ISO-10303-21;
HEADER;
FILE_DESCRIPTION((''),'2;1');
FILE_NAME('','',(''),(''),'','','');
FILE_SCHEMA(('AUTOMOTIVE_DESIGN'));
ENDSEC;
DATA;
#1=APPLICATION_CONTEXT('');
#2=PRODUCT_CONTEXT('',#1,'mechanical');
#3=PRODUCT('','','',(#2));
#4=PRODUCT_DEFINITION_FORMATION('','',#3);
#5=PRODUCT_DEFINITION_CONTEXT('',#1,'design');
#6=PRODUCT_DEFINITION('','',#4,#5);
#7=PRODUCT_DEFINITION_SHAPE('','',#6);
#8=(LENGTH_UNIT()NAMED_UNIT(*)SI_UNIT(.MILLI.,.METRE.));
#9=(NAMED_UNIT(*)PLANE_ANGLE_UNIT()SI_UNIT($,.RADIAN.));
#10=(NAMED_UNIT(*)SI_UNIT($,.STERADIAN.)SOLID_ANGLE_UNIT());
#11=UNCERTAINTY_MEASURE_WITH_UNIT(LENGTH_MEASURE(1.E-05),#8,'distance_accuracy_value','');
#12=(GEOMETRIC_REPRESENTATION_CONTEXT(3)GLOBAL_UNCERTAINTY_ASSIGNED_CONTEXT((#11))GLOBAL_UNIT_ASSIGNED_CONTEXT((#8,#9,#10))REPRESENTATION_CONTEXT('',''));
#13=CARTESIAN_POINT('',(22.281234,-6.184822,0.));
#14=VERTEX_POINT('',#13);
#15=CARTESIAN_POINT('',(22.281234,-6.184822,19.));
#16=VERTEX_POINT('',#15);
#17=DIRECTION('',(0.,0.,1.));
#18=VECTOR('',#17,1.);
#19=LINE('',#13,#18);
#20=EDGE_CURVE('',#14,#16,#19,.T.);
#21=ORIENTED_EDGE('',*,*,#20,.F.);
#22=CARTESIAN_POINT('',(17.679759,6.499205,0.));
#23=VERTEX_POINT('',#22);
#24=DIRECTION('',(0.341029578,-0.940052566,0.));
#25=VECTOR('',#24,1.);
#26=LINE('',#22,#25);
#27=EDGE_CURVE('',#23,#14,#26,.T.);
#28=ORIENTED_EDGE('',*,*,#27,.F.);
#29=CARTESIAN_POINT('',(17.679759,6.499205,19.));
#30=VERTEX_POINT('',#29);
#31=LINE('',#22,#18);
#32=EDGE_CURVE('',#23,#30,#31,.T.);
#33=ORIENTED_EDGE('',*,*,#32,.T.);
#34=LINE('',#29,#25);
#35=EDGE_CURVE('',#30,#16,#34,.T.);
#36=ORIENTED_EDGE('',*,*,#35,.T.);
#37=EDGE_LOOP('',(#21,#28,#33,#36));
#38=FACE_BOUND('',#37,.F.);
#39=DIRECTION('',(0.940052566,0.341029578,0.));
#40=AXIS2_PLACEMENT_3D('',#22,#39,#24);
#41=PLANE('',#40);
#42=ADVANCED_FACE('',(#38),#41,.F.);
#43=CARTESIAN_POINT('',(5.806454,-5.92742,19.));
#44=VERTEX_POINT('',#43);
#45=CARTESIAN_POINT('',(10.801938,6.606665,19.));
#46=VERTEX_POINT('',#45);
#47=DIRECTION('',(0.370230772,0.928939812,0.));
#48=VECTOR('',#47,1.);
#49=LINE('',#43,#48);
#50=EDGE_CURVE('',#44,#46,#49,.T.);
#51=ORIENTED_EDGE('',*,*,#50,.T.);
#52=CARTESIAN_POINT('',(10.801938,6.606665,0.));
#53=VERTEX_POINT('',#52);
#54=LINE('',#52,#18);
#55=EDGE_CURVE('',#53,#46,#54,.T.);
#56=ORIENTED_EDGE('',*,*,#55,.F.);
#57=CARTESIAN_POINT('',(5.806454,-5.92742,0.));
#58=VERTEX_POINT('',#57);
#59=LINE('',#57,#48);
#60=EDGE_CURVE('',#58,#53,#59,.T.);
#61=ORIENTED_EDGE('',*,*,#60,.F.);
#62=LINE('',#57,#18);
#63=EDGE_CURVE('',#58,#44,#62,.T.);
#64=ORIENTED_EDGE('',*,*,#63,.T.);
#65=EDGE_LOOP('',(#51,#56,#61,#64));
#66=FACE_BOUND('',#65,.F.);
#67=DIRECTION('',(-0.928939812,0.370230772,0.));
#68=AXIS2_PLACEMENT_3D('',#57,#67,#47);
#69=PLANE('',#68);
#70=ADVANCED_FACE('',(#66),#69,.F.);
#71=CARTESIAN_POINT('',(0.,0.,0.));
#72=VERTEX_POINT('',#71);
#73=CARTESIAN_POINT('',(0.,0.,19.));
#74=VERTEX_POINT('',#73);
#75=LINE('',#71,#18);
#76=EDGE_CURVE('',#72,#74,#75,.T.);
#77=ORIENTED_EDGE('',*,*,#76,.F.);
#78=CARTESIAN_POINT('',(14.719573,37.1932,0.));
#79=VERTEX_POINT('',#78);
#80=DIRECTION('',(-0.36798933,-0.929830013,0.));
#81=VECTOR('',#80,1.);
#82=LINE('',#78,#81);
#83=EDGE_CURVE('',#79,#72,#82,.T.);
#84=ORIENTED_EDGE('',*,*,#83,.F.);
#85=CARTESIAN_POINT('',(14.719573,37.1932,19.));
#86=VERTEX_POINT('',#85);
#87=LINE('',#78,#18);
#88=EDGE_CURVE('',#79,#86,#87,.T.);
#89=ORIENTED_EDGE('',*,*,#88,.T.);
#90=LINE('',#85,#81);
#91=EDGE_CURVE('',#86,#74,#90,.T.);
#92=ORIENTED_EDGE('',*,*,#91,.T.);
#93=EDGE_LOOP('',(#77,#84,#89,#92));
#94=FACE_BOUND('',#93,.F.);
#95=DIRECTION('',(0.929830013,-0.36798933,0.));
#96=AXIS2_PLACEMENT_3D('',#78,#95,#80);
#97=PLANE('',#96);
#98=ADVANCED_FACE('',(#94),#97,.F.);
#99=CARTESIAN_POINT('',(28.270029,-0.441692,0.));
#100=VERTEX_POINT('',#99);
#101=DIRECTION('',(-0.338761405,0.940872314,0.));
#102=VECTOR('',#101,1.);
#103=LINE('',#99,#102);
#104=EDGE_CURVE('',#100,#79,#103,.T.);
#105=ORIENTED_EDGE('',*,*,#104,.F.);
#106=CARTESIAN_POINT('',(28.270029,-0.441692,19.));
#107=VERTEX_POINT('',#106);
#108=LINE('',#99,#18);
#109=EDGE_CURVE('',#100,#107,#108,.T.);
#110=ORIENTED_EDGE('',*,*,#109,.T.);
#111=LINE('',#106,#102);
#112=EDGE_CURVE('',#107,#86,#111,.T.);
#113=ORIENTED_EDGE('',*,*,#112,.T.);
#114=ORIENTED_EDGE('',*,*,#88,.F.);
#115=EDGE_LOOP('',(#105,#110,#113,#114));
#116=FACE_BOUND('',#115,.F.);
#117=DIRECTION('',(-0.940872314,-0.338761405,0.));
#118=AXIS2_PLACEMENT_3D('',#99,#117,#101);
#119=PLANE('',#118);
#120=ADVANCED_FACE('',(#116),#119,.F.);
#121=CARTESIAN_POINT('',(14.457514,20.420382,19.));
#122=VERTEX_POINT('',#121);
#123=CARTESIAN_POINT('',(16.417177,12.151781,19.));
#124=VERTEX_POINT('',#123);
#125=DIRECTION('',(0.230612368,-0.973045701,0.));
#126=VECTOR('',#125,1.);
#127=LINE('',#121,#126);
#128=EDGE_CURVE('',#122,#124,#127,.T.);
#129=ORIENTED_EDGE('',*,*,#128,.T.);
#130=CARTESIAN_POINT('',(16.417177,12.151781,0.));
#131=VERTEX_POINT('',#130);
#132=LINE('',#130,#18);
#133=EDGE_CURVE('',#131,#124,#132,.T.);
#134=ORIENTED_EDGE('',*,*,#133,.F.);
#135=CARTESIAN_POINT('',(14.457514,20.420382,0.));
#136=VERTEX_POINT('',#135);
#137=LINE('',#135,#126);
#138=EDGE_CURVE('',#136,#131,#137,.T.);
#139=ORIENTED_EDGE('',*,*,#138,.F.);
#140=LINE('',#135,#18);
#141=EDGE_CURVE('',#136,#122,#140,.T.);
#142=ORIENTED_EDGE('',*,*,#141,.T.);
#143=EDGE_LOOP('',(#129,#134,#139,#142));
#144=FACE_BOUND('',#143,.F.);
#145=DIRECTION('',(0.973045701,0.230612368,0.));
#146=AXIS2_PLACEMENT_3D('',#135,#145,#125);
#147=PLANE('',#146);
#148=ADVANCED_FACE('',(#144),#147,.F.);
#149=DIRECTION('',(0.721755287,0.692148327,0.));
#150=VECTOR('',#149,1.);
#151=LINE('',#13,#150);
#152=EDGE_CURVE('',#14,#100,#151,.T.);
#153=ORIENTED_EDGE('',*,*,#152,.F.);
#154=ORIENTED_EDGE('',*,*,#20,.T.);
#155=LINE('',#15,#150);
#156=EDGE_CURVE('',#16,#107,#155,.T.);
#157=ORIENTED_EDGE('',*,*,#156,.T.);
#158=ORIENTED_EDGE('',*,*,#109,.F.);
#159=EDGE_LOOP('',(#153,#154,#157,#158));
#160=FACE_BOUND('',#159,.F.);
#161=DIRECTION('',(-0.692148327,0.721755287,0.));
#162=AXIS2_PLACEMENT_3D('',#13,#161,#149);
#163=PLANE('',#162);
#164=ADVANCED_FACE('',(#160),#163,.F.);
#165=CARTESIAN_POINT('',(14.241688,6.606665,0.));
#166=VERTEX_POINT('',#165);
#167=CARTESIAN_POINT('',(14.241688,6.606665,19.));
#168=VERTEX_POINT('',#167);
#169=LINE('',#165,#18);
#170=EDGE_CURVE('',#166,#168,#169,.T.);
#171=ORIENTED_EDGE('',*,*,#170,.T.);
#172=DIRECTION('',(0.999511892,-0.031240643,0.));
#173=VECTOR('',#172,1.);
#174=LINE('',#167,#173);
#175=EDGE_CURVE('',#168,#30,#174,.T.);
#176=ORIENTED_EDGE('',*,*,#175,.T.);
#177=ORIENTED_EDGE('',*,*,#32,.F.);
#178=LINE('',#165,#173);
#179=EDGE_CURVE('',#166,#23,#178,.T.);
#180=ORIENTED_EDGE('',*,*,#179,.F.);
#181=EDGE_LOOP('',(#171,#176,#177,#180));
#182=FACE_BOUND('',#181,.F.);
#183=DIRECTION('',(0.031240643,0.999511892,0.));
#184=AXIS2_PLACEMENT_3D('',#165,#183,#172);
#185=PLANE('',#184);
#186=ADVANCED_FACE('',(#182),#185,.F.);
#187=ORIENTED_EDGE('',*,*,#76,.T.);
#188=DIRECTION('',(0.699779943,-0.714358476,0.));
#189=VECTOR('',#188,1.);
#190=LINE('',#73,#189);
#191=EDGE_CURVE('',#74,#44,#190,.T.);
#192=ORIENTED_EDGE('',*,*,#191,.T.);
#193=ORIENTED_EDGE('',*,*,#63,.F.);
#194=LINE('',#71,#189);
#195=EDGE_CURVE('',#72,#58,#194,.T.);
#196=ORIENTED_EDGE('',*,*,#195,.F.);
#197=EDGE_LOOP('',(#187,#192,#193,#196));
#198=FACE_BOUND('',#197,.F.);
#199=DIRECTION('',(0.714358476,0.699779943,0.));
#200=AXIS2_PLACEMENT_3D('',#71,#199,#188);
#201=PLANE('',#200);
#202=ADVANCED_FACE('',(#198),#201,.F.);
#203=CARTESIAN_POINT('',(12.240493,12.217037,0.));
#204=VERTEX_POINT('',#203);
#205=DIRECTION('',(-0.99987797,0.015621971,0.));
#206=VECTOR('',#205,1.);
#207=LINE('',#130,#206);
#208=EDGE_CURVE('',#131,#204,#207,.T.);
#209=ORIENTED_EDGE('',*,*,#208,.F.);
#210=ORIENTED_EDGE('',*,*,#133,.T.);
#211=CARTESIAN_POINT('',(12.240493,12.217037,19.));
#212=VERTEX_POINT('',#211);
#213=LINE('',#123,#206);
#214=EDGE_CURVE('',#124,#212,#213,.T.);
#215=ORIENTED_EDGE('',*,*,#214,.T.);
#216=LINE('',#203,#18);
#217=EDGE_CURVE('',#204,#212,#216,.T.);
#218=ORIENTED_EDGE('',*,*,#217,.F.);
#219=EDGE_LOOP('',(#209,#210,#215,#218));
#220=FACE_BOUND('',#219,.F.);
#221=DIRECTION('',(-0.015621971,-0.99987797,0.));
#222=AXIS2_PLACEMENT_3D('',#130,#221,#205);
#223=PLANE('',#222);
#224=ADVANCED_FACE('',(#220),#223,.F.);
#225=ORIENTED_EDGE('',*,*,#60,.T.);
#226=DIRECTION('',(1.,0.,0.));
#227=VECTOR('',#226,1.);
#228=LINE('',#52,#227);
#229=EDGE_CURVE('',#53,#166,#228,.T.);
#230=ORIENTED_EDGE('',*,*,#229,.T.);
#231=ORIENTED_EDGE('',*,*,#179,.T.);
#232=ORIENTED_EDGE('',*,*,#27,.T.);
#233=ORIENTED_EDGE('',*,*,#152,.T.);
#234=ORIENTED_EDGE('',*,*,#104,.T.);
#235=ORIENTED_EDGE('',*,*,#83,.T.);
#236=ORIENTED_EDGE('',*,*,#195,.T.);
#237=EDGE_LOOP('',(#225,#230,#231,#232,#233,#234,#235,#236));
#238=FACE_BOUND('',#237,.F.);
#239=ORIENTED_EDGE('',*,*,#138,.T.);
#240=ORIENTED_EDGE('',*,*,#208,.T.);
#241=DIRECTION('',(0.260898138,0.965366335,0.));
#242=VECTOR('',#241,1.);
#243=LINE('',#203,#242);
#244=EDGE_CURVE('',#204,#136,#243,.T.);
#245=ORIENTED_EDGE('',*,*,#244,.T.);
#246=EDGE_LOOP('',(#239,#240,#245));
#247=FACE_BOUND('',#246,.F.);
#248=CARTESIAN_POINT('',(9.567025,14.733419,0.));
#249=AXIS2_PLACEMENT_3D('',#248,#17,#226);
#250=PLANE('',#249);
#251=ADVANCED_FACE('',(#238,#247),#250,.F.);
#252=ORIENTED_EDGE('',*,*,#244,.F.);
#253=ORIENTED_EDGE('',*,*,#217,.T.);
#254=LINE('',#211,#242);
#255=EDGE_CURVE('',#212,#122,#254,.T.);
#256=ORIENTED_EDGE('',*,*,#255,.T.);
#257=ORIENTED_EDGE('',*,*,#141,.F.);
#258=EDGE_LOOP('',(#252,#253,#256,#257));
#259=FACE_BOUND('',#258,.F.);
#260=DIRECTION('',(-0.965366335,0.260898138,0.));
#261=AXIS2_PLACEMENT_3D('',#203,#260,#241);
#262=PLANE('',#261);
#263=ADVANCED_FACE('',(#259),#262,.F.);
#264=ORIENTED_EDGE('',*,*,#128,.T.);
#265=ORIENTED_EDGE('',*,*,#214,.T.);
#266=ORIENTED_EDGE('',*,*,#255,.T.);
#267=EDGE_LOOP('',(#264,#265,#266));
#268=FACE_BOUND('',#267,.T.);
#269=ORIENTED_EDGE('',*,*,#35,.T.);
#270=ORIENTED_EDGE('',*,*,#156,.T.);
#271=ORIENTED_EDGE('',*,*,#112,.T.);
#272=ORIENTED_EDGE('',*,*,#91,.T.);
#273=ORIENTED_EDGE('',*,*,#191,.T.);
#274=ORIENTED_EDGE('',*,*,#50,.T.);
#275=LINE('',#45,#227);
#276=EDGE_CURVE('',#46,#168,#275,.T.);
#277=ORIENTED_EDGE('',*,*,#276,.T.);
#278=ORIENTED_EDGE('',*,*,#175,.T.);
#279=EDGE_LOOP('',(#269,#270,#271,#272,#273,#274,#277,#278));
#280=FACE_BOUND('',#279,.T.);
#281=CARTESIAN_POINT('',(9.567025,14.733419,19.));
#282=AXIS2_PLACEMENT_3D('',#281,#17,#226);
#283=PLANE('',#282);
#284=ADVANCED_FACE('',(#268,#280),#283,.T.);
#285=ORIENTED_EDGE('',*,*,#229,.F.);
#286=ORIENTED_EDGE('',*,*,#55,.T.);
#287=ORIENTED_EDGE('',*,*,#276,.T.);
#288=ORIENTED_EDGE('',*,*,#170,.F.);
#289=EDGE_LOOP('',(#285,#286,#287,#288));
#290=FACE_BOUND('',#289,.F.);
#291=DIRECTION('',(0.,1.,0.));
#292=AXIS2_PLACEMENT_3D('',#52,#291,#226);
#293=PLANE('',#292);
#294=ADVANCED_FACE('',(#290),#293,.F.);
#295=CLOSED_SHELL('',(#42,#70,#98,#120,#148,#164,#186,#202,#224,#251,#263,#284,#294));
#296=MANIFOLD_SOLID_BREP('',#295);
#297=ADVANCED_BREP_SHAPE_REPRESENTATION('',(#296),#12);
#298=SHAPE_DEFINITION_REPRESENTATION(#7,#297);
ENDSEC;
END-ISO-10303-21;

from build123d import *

# Parameters (mm, degrees)
F1_DEPTH = 19


with BuildPart() as f1:
    # F0 (on Top) → F1 (new body)
    with BuildSketch(Plane.XY):
        Polygon((14.719573, 37.1932), (0, 0), (5.806454, -5.92742), (10.801938, 6.606665), (14.241688, 6.606665), (14.328835, 12.184409), (12.240493, 12.217037), (14.457514, 20.420382), align=None)
        Polygon((28.270029, -0.441692), (14.719573, 37.1932), (14.457514, 20.420382), (16.417177, 12.151781), (14.328835, 12.184409), (14.241688, 6.606665), (17.679759, 6.499205), (22.281234, -6.184822), align=None)
    extrude(amount=F1_DEPTH)


solid = f1.part
